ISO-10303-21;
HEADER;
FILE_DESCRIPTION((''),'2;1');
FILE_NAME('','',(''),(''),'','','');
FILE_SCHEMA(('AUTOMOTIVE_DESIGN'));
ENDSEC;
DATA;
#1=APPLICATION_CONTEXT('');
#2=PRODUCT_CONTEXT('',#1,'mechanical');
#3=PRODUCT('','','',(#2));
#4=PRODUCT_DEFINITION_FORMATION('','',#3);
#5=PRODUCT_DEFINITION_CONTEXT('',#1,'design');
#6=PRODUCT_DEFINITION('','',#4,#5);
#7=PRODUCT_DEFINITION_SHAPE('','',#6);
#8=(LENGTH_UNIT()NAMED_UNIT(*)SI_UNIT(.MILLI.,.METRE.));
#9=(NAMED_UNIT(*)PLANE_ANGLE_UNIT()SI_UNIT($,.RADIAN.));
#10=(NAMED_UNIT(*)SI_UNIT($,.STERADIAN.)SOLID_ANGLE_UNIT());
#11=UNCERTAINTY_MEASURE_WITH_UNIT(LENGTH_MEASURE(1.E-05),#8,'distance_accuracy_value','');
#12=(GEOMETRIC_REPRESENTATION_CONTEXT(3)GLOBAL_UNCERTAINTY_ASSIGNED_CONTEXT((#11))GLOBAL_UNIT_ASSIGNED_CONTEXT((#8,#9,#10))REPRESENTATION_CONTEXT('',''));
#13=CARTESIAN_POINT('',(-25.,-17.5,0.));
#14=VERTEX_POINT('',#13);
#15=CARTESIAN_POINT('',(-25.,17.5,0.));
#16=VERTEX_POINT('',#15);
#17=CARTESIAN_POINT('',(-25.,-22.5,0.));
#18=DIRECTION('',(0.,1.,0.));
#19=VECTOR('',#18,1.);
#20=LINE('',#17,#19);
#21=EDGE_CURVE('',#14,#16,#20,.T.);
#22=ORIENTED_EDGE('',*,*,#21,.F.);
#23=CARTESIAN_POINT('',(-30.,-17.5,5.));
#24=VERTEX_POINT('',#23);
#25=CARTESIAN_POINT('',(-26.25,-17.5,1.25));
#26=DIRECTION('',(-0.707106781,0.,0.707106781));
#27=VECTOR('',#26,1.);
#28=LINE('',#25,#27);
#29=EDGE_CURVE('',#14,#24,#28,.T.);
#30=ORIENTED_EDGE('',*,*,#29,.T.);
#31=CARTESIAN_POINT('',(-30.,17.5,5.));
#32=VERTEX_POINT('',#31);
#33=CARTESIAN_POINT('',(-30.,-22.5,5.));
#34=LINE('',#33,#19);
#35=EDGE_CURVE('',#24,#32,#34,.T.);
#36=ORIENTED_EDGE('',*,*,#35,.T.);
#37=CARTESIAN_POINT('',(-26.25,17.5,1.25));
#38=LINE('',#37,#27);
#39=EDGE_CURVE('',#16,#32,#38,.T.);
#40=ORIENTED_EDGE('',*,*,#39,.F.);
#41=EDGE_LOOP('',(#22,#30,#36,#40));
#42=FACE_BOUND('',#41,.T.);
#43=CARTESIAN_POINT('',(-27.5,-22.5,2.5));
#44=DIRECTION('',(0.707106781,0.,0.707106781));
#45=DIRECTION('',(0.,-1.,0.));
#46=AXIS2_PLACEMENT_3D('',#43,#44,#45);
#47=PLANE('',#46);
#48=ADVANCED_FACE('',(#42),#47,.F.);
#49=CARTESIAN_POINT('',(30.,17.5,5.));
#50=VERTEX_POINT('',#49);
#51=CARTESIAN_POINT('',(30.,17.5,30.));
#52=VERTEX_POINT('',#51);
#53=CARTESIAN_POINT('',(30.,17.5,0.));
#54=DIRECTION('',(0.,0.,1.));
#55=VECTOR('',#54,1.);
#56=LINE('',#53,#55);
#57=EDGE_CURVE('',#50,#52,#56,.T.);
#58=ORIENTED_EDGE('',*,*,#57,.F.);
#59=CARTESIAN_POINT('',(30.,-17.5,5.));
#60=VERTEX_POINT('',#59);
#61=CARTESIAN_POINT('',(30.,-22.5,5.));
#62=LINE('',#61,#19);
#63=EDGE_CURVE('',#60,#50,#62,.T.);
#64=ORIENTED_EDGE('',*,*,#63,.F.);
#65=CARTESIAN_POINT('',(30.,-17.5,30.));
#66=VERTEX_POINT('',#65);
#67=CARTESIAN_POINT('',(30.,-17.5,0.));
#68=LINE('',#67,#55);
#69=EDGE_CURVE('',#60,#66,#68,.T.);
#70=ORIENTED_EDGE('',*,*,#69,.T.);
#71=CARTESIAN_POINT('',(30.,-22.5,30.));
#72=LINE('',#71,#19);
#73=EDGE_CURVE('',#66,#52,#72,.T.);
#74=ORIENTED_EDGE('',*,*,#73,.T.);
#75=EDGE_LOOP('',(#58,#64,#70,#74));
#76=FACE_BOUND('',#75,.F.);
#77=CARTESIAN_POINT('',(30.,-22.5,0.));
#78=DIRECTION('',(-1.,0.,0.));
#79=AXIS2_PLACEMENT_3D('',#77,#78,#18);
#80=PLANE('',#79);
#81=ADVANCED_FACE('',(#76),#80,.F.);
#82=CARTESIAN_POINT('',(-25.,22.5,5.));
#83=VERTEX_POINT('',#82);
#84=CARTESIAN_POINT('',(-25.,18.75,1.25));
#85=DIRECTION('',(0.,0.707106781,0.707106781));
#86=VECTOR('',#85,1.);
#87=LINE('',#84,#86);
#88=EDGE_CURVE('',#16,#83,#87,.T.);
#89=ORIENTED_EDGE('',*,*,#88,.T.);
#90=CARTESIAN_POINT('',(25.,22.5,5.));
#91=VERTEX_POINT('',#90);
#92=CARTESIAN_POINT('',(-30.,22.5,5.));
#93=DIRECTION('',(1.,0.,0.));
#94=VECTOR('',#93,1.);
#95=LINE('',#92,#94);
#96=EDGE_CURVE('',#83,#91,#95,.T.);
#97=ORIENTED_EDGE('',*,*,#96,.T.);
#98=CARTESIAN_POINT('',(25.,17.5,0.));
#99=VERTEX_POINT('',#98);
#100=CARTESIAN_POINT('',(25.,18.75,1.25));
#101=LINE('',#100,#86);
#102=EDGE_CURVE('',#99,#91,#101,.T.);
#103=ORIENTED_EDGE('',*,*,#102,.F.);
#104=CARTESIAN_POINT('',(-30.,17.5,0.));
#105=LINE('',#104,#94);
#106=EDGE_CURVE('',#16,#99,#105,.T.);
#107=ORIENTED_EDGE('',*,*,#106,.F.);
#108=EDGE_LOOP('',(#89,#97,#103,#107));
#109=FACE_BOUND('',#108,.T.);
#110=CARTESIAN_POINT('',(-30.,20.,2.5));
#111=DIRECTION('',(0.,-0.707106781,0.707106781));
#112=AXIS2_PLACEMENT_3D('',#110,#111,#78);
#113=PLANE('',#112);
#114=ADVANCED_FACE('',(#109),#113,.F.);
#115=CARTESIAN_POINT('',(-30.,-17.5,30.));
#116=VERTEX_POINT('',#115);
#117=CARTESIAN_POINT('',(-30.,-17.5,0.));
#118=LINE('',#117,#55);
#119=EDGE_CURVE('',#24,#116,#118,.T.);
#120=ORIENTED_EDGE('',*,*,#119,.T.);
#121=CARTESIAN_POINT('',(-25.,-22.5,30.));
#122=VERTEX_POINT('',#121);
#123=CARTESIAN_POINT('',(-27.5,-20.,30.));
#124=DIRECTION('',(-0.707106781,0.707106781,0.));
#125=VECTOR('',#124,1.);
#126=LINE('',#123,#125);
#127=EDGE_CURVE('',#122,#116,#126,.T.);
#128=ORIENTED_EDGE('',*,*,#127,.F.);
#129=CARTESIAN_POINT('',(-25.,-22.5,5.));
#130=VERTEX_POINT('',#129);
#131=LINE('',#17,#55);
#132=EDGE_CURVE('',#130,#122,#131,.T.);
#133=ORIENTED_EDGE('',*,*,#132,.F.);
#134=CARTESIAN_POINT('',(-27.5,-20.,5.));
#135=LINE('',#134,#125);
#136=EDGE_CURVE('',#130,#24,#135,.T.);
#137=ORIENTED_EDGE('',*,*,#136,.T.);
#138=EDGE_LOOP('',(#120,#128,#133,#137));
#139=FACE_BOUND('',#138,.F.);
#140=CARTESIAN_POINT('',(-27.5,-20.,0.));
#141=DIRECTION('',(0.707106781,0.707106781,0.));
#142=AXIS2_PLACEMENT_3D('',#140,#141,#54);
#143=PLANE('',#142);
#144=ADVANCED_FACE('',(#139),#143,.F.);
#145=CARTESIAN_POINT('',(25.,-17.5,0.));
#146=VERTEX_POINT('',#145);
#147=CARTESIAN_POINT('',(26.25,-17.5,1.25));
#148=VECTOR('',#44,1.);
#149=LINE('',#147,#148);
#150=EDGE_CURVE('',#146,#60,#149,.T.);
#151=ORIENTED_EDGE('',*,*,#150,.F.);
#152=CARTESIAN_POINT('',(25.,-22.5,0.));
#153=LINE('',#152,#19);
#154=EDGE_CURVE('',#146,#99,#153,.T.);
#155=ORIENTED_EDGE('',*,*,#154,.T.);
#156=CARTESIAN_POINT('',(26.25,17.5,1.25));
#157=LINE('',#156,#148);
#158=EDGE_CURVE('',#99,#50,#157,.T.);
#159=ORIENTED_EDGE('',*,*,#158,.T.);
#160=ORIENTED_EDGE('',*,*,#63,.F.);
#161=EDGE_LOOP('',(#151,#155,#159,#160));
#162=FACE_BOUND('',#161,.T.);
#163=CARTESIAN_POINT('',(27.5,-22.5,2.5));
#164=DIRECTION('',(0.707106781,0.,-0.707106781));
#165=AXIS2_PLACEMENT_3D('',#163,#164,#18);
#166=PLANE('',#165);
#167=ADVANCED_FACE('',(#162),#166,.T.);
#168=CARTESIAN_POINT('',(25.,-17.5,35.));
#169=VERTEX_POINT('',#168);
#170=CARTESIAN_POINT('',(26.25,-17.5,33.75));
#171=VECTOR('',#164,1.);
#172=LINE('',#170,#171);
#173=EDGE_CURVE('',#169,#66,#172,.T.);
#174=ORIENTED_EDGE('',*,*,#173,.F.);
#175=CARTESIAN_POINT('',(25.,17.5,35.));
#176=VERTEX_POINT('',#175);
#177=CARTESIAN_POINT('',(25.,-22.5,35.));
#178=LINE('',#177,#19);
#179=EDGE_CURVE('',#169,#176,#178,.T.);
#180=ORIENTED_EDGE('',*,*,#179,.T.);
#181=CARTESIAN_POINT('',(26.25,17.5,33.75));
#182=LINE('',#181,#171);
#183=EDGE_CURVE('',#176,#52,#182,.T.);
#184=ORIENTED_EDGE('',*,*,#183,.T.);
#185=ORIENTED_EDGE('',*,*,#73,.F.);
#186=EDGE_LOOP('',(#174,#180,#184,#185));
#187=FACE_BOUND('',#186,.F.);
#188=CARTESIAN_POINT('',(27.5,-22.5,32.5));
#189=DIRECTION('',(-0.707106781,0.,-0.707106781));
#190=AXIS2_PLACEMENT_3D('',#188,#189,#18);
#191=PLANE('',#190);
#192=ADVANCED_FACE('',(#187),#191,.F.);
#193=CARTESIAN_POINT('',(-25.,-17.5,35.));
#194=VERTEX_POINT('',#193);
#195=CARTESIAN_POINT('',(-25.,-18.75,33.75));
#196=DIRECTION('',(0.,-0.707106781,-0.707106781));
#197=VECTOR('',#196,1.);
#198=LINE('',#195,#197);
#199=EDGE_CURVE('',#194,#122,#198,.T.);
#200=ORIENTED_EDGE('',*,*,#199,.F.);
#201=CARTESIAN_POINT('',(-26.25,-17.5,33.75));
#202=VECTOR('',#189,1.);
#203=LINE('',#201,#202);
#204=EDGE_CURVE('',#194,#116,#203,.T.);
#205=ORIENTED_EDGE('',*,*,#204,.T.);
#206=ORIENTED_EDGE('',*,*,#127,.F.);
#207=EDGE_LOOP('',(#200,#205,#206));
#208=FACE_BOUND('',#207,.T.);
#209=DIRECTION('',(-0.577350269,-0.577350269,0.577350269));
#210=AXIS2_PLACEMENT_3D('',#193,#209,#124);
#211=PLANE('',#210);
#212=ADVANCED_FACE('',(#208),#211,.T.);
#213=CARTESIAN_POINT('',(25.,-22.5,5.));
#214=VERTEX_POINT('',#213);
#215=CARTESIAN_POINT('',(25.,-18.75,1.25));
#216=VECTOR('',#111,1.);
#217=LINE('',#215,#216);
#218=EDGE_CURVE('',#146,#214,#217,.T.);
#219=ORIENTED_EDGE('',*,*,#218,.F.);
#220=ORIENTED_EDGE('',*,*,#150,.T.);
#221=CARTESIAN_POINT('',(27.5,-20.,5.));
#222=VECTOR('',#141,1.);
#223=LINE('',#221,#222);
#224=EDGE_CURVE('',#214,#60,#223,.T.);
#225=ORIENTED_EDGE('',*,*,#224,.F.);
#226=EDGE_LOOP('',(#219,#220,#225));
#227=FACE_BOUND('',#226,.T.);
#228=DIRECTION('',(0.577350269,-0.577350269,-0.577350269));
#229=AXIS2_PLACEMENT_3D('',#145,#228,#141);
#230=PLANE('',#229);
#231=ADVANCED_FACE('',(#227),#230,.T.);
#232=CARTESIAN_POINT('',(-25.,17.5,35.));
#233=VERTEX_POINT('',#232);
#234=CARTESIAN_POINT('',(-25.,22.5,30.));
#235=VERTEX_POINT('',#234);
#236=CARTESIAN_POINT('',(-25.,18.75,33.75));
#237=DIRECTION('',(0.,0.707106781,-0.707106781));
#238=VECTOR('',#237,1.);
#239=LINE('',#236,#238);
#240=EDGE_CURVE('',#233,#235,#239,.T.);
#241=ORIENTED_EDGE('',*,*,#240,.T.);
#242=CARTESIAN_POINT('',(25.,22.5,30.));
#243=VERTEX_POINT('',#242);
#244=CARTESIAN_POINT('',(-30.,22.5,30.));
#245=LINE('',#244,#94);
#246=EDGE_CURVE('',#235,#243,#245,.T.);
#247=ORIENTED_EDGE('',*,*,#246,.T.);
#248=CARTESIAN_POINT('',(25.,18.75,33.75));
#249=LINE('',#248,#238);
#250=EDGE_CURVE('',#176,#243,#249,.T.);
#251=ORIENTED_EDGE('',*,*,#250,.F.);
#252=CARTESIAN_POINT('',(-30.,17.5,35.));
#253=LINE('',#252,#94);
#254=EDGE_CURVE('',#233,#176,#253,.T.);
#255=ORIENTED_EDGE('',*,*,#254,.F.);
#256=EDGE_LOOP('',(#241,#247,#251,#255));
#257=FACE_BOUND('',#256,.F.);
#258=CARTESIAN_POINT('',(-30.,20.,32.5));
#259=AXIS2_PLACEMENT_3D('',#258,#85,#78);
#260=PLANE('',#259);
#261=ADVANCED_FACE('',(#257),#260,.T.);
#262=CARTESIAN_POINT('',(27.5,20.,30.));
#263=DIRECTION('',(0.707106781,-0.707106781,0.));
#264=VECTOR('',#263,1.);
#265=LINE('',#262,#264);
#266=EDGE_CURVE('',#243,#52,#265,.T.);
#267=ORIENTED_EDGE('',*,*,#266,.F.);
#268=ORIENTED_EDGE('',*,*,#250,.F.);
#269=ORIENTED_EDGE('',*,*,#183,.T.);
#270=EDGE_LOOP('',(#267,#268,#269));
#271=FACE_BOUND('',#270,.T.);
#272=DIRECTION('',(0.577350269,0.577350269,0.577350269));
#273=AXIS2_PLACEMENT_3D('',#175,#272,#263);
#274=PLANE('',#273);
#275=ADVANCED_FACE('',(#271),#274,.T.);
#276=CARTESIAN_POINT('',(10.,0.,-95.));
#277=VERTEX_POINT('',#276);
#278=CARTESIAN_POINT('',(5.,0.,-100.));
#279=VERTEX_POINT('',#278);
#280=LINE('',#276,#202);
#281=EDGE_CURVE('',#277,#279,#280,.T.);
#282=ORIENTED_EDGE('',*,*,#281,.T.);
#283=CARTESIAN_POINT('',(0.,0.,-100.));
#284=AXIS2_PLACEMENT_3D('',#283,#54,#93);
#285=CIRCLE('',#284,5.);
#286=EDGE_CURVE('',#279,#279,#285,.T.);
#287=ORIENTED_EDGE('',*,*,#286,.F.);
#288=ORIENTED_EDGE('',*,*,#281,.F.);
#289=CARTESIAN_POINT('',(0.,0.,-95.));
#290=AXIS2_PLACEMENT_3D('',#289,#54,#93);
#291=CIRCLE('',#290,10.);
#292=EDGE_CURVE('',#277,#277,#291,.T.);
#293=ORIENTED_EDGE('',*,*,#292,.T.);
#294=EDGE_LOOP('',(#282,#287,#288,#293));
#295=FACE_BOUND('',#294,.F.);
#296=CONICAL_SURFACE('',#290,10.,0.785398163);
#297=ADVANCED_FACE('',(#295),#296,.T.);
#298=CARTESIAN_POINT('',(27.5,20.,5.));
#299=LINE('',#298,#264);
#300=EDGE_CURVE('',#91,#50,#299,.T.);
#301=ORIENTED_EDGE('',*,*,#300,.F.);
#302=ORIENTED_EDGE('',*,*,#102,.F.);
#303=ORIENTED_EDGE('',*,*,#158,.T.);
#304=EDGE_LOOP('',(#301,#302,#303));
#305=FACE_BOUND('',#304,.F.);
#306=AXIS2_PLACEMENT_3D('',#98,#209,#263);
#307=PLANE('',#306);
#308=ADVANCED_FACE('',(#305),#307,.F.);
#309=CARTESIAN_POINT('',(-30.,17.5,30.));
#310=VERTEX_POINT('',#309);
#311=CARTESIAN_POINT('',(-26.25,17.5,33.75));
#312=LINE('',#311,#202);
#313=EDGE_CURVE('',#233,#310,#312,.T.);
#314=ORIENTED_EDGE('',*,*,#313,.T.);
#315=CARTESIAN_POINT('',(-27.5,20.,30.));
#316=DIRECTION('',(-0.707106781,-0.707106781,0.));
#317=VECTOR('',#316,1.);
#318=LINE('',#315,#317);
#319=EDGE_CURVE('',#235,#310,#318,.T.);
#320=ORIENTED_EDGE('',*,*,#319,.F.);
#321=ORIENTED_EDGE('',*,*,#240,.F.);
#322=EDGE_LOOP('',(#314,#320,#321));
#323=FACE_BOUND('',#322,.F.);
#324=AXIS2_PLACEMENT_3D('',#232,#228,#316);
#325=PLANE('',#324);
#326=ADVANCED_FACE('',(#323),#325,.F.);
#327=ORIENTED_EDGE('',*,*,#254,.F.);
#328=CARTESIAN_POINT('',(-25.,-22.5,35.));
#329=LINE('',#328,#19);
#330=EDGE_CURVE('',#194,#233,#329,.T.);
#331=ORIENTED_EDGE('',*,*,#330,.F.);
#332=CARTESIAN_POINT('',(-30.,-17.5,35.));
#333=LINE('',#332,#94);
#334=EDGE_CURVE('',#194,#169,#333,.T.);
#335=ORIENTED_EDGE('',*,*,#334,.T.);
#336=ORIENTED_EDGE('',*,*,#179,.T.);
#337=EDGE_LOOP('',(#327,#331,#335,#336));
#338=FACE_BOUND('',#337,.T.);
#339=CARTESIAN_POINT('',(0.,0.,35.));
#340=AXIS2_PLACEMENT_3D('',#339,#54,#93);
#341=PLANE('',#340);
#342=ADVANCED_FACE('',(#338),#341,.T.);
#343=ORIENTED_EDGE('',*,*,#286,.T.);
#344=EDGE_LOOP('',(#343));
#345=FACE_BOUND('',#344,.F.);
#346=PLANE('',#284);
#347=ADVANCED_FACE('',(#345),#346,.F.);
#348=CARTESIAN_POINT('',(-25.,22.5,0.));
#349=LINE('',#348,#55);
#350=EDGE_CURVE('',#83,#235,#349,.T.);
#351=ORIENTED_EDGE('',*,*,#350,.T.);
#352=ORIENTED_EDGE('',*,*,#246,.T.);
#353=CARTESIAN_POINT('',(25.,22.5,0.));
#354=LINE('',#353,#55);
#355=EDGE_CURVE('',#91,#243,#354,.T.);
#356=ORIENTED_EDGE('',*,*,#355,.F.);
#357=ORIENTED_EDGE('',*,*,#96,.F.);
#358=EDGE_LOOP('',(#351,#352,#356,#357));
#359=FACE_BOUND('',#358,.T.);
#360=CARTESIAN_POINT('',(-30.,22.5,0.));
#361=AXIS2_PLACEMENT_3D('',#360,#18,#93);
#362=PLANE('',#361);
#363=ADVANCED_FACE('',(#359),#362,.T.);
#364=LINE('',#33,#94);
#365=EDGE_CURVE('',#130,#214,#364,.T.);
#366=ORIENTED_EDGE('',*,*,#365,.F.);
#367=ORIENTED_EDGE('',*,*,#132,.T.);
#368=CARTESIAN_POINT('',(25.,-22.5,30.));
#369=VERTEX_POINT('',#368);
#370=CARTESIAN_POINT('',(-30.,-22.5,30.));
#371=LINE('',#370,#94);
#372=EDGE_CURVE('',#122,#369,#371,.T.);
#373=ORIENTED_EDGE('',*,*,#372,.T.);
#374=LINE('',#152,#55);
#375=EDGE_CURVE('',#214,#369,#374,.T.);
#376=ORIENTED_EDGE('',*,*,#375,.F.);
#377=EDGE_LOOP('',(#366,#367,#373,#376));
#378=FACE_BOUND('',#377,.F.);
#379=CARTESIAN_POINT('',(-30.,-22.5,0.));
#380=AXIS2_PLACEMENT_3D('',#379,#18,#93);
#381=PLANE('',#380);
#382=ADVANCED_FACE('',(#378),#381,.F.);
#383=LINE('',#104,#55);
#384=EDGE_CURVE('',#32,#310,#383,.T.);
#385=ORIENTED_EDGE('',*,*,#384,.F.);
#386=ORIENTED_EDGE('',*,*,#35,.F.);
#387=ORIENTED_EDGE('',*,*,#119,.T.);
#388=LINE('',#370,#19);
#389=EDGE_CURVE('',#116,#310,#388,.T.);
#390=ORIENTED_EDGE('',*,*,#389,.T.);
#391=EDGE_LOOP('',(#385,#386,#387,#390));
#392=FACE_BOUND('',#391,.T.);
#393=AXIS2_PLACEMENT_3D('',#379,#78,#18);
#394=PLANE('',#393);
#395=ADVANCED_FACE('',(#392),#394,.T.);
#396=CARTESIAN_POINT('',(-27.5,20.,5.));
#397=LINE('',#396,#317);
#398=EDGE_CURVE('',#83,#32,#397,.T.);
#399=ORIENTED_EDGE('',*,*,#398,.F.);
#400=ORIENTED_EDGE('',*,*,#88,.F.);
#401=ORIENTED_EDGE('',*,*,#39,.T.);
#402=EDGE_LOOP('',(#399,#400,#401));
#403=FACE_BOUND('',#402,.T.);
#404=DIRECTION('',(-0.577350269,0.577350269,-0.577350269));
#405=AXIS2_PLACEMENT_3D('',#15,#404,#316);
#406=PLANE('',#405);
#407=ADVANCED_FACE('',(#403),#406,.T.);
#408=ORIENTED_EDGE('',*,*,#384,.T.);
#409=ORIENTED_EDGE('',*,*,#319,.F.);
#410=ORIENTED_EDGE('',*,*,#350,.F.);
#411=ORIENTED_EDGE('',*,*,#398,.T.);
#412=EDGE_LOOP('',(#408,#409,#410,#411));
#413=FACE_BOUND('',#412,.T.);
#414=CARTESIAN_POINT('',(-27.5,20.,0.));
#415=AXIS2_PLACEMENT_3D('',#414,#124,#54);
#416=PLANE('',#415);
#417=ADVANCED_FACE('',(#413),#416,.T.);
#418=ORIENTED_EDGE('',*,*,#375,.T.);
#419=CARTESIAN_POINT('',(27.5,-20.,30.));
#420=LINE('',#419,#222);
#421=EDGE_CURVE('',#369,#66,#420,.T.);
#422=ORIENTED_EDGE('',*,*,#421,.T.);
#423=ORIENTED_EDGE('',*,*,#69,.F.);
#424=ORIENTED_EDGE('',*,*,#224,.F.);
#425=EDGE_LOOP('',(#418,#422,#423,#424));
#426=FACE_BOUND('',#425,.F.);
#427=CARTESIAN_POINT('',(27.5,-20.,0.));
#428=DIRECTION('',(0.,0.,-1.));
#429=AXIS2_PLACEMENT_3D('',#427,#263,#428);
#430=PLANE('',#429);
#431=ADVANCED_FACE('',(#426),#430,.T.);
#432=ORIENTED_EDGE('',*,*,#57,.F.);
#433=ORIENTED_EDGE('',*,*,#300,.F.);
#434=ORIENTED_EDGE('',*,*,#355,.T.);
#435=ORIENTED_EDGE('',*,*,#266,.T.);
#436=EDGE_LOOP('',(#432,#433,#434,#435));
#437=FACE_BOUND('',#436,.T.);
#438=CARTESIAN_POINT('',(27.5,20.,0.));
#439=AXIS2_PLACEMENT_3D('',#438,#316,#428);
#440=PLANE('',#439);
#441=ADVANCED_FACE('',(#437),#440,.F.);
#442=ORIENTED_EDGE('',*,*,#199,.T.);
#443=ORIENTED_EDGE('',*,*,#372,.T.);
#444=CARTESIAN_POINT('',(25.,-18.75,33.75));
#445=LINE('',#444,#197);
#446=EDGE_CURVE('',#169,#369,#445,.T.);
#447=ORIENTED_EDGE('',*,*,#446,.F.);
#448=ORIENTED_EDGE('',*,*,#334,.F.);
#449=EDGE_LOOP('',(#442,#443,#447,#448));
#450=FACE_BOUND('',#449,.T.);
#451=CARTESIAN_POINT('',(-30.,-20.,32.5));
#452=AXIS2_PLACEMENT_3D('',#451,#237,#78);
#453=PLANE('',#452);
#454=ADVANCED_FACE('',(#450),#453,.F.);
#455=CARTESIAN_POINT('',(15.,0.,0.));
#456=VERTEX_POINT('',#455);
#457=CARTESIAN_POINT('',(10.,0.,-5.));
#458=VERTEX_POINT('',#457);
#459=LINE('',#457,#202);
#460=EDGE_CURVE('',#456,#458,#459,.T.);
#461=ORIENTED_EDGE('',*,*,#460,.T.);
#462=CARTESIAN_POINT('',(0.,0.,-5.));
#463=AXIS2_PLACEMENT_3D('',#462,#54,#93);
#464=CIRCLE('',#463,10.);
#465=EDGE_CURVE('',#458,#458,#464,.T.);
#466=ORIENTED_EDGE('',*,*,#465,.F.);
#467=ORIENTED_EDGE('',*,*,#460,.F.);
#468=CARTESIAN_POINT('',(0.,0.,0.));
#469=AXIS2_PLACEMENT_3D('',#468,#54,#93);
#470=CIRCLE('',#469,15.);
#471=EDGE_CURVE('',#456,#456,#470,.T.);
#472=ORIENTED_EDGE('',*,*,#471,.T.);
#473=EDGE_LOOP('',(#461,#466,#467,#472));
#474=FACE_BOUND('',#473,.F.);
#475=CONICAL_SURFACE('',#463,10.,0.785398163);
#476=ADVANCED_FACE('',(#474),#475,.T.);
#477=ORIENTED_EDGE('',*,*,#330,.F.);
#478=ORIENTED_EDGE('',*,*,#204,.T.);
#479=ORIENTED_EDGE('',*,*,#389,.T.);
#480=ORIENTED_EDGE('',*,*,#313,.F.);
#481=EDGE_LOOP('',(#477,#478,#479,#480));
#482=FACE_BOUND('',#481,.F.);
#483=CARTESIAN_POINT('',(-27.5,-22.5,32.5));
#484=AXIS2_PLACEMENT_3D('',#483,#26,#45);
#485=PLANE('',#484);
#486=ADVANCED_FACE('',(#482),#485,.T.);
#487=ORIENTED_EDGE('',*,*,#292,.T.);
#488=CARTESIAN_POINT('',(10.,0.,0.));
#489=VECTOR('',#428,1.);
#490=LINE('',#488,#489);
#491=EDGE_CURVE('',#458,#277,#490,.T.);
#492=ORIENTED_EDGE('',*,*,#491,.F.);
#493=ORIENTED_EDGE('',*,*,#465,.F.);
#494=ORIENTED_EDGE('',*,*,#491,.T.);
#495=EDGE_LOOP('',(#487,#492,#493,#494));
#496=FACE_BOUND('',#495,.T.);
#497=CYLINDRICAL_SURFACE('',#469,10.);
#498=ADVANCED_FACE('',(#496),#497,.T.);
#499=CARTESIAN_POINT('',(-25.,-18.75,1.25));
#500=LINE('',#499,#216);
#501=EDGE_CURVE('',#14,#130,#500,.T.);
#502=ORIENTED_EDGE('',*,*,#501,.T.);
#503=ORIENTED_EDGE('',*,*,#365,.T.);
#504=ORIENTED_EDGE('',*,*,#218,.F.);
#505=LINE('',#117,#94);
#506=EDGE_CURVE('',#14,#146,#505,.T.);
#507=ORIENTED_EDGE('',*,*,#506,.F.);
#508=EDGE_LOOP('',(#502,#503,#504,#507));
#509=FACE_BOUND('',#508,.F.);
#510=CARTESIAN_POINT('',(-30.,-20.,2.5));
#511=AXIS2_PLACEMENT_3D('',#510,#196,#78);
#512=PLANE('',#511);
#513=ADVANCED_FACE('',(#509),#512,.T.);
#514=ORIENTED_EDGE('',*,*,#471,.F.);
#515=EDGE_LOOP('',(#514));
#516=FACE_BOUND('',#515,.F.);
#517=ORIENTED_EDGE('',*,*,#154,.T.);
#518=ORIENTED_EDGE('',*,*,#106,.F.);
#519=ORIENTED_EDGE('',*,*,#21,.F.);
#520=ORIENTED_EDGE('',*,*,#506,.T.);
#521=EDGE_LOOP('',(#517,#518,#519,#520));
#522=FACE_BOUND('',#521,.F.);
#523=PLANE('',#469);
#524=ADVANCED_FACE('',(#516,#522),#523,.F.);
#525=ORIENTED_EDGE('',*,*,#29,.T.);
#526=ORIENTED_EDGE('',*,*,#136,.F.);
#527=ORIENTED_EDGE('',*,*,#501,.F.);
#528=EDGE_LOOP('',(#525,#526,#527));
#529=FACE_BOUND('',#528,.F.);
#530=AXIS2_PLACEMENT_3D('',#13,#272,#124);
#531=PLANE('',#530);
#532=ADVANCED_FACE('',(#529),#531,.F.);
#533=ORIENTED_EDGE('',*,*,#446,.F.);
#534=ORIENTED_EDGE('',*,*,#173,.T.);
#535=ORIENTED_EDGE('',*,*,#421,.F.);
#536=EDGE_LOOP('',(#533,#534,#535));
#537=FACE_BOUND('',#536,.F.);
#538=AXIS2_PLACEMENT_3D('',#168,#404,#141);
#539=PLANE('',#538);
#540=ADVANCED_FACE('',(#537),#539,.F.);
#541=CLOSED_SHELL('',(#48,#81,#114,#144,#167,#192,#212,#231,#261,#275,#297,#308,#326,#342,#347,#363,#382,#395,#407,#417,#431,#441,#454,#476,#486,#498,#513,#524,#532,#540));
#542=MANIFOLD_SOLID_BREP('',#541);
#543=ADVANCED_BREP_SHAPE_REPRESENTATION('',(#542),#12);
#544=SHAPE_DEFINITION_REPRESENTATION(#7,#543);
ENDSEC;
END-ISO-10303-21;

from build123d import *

# Parameters (mm, degrees)
F0_W     = 60
F0_H     = 45
F0_R     = 10
F1_DEPTH = 35
F2_DEPTH = 100
F3_SIZE  = 5
F4_SIZE  = 5


with BuildPart() as f1:
    # F0 (on Top) → F1 (new body)
    with BuildSketch(Plane.XY):
        Rectangle(F0_W, F0_H)
        Circle(F0_R, mode=Mode.SUBTRACT)
        Circle(F0_R)
    extrude(amount=F1_DEPTH)

    # F0 (on Top) → F2 (join)
    with BuildSketch(Plane.XY):
        Circle(F0_R)
    extrude(amount=-F2_DEPTH)

    # F3
    f3_edges = [f1.edges().sort_by_distance(p)[0] for p in [
        (-30, -22.5, 17.5),
        (30, -22.5, 17.5),
        (30, 22.5, 17.5),
        (-30, 22.5, 17.5),
        (0, 22.5, 35),
        (0, 22.5, 0),
        (0, -22.5, 35),
        (0, -22.5, 0),
        (-30, 0, 0),
        (-30, 0, 35),
        (30, 0, 35),
        (30, 0, 0),
    ]]
    chamfer(f3_edges, length=F3_SIZE)

    # F4
    f4_edges = [f1.edges().sort_by_distance(p)[0] for p in [
        (10, 0, -50),
        (-10, 0, 0),
        (-10, 0, -100),
    ]]
    chamfer(f4_edges, length=F4_SIZE)


solid = f1.part
